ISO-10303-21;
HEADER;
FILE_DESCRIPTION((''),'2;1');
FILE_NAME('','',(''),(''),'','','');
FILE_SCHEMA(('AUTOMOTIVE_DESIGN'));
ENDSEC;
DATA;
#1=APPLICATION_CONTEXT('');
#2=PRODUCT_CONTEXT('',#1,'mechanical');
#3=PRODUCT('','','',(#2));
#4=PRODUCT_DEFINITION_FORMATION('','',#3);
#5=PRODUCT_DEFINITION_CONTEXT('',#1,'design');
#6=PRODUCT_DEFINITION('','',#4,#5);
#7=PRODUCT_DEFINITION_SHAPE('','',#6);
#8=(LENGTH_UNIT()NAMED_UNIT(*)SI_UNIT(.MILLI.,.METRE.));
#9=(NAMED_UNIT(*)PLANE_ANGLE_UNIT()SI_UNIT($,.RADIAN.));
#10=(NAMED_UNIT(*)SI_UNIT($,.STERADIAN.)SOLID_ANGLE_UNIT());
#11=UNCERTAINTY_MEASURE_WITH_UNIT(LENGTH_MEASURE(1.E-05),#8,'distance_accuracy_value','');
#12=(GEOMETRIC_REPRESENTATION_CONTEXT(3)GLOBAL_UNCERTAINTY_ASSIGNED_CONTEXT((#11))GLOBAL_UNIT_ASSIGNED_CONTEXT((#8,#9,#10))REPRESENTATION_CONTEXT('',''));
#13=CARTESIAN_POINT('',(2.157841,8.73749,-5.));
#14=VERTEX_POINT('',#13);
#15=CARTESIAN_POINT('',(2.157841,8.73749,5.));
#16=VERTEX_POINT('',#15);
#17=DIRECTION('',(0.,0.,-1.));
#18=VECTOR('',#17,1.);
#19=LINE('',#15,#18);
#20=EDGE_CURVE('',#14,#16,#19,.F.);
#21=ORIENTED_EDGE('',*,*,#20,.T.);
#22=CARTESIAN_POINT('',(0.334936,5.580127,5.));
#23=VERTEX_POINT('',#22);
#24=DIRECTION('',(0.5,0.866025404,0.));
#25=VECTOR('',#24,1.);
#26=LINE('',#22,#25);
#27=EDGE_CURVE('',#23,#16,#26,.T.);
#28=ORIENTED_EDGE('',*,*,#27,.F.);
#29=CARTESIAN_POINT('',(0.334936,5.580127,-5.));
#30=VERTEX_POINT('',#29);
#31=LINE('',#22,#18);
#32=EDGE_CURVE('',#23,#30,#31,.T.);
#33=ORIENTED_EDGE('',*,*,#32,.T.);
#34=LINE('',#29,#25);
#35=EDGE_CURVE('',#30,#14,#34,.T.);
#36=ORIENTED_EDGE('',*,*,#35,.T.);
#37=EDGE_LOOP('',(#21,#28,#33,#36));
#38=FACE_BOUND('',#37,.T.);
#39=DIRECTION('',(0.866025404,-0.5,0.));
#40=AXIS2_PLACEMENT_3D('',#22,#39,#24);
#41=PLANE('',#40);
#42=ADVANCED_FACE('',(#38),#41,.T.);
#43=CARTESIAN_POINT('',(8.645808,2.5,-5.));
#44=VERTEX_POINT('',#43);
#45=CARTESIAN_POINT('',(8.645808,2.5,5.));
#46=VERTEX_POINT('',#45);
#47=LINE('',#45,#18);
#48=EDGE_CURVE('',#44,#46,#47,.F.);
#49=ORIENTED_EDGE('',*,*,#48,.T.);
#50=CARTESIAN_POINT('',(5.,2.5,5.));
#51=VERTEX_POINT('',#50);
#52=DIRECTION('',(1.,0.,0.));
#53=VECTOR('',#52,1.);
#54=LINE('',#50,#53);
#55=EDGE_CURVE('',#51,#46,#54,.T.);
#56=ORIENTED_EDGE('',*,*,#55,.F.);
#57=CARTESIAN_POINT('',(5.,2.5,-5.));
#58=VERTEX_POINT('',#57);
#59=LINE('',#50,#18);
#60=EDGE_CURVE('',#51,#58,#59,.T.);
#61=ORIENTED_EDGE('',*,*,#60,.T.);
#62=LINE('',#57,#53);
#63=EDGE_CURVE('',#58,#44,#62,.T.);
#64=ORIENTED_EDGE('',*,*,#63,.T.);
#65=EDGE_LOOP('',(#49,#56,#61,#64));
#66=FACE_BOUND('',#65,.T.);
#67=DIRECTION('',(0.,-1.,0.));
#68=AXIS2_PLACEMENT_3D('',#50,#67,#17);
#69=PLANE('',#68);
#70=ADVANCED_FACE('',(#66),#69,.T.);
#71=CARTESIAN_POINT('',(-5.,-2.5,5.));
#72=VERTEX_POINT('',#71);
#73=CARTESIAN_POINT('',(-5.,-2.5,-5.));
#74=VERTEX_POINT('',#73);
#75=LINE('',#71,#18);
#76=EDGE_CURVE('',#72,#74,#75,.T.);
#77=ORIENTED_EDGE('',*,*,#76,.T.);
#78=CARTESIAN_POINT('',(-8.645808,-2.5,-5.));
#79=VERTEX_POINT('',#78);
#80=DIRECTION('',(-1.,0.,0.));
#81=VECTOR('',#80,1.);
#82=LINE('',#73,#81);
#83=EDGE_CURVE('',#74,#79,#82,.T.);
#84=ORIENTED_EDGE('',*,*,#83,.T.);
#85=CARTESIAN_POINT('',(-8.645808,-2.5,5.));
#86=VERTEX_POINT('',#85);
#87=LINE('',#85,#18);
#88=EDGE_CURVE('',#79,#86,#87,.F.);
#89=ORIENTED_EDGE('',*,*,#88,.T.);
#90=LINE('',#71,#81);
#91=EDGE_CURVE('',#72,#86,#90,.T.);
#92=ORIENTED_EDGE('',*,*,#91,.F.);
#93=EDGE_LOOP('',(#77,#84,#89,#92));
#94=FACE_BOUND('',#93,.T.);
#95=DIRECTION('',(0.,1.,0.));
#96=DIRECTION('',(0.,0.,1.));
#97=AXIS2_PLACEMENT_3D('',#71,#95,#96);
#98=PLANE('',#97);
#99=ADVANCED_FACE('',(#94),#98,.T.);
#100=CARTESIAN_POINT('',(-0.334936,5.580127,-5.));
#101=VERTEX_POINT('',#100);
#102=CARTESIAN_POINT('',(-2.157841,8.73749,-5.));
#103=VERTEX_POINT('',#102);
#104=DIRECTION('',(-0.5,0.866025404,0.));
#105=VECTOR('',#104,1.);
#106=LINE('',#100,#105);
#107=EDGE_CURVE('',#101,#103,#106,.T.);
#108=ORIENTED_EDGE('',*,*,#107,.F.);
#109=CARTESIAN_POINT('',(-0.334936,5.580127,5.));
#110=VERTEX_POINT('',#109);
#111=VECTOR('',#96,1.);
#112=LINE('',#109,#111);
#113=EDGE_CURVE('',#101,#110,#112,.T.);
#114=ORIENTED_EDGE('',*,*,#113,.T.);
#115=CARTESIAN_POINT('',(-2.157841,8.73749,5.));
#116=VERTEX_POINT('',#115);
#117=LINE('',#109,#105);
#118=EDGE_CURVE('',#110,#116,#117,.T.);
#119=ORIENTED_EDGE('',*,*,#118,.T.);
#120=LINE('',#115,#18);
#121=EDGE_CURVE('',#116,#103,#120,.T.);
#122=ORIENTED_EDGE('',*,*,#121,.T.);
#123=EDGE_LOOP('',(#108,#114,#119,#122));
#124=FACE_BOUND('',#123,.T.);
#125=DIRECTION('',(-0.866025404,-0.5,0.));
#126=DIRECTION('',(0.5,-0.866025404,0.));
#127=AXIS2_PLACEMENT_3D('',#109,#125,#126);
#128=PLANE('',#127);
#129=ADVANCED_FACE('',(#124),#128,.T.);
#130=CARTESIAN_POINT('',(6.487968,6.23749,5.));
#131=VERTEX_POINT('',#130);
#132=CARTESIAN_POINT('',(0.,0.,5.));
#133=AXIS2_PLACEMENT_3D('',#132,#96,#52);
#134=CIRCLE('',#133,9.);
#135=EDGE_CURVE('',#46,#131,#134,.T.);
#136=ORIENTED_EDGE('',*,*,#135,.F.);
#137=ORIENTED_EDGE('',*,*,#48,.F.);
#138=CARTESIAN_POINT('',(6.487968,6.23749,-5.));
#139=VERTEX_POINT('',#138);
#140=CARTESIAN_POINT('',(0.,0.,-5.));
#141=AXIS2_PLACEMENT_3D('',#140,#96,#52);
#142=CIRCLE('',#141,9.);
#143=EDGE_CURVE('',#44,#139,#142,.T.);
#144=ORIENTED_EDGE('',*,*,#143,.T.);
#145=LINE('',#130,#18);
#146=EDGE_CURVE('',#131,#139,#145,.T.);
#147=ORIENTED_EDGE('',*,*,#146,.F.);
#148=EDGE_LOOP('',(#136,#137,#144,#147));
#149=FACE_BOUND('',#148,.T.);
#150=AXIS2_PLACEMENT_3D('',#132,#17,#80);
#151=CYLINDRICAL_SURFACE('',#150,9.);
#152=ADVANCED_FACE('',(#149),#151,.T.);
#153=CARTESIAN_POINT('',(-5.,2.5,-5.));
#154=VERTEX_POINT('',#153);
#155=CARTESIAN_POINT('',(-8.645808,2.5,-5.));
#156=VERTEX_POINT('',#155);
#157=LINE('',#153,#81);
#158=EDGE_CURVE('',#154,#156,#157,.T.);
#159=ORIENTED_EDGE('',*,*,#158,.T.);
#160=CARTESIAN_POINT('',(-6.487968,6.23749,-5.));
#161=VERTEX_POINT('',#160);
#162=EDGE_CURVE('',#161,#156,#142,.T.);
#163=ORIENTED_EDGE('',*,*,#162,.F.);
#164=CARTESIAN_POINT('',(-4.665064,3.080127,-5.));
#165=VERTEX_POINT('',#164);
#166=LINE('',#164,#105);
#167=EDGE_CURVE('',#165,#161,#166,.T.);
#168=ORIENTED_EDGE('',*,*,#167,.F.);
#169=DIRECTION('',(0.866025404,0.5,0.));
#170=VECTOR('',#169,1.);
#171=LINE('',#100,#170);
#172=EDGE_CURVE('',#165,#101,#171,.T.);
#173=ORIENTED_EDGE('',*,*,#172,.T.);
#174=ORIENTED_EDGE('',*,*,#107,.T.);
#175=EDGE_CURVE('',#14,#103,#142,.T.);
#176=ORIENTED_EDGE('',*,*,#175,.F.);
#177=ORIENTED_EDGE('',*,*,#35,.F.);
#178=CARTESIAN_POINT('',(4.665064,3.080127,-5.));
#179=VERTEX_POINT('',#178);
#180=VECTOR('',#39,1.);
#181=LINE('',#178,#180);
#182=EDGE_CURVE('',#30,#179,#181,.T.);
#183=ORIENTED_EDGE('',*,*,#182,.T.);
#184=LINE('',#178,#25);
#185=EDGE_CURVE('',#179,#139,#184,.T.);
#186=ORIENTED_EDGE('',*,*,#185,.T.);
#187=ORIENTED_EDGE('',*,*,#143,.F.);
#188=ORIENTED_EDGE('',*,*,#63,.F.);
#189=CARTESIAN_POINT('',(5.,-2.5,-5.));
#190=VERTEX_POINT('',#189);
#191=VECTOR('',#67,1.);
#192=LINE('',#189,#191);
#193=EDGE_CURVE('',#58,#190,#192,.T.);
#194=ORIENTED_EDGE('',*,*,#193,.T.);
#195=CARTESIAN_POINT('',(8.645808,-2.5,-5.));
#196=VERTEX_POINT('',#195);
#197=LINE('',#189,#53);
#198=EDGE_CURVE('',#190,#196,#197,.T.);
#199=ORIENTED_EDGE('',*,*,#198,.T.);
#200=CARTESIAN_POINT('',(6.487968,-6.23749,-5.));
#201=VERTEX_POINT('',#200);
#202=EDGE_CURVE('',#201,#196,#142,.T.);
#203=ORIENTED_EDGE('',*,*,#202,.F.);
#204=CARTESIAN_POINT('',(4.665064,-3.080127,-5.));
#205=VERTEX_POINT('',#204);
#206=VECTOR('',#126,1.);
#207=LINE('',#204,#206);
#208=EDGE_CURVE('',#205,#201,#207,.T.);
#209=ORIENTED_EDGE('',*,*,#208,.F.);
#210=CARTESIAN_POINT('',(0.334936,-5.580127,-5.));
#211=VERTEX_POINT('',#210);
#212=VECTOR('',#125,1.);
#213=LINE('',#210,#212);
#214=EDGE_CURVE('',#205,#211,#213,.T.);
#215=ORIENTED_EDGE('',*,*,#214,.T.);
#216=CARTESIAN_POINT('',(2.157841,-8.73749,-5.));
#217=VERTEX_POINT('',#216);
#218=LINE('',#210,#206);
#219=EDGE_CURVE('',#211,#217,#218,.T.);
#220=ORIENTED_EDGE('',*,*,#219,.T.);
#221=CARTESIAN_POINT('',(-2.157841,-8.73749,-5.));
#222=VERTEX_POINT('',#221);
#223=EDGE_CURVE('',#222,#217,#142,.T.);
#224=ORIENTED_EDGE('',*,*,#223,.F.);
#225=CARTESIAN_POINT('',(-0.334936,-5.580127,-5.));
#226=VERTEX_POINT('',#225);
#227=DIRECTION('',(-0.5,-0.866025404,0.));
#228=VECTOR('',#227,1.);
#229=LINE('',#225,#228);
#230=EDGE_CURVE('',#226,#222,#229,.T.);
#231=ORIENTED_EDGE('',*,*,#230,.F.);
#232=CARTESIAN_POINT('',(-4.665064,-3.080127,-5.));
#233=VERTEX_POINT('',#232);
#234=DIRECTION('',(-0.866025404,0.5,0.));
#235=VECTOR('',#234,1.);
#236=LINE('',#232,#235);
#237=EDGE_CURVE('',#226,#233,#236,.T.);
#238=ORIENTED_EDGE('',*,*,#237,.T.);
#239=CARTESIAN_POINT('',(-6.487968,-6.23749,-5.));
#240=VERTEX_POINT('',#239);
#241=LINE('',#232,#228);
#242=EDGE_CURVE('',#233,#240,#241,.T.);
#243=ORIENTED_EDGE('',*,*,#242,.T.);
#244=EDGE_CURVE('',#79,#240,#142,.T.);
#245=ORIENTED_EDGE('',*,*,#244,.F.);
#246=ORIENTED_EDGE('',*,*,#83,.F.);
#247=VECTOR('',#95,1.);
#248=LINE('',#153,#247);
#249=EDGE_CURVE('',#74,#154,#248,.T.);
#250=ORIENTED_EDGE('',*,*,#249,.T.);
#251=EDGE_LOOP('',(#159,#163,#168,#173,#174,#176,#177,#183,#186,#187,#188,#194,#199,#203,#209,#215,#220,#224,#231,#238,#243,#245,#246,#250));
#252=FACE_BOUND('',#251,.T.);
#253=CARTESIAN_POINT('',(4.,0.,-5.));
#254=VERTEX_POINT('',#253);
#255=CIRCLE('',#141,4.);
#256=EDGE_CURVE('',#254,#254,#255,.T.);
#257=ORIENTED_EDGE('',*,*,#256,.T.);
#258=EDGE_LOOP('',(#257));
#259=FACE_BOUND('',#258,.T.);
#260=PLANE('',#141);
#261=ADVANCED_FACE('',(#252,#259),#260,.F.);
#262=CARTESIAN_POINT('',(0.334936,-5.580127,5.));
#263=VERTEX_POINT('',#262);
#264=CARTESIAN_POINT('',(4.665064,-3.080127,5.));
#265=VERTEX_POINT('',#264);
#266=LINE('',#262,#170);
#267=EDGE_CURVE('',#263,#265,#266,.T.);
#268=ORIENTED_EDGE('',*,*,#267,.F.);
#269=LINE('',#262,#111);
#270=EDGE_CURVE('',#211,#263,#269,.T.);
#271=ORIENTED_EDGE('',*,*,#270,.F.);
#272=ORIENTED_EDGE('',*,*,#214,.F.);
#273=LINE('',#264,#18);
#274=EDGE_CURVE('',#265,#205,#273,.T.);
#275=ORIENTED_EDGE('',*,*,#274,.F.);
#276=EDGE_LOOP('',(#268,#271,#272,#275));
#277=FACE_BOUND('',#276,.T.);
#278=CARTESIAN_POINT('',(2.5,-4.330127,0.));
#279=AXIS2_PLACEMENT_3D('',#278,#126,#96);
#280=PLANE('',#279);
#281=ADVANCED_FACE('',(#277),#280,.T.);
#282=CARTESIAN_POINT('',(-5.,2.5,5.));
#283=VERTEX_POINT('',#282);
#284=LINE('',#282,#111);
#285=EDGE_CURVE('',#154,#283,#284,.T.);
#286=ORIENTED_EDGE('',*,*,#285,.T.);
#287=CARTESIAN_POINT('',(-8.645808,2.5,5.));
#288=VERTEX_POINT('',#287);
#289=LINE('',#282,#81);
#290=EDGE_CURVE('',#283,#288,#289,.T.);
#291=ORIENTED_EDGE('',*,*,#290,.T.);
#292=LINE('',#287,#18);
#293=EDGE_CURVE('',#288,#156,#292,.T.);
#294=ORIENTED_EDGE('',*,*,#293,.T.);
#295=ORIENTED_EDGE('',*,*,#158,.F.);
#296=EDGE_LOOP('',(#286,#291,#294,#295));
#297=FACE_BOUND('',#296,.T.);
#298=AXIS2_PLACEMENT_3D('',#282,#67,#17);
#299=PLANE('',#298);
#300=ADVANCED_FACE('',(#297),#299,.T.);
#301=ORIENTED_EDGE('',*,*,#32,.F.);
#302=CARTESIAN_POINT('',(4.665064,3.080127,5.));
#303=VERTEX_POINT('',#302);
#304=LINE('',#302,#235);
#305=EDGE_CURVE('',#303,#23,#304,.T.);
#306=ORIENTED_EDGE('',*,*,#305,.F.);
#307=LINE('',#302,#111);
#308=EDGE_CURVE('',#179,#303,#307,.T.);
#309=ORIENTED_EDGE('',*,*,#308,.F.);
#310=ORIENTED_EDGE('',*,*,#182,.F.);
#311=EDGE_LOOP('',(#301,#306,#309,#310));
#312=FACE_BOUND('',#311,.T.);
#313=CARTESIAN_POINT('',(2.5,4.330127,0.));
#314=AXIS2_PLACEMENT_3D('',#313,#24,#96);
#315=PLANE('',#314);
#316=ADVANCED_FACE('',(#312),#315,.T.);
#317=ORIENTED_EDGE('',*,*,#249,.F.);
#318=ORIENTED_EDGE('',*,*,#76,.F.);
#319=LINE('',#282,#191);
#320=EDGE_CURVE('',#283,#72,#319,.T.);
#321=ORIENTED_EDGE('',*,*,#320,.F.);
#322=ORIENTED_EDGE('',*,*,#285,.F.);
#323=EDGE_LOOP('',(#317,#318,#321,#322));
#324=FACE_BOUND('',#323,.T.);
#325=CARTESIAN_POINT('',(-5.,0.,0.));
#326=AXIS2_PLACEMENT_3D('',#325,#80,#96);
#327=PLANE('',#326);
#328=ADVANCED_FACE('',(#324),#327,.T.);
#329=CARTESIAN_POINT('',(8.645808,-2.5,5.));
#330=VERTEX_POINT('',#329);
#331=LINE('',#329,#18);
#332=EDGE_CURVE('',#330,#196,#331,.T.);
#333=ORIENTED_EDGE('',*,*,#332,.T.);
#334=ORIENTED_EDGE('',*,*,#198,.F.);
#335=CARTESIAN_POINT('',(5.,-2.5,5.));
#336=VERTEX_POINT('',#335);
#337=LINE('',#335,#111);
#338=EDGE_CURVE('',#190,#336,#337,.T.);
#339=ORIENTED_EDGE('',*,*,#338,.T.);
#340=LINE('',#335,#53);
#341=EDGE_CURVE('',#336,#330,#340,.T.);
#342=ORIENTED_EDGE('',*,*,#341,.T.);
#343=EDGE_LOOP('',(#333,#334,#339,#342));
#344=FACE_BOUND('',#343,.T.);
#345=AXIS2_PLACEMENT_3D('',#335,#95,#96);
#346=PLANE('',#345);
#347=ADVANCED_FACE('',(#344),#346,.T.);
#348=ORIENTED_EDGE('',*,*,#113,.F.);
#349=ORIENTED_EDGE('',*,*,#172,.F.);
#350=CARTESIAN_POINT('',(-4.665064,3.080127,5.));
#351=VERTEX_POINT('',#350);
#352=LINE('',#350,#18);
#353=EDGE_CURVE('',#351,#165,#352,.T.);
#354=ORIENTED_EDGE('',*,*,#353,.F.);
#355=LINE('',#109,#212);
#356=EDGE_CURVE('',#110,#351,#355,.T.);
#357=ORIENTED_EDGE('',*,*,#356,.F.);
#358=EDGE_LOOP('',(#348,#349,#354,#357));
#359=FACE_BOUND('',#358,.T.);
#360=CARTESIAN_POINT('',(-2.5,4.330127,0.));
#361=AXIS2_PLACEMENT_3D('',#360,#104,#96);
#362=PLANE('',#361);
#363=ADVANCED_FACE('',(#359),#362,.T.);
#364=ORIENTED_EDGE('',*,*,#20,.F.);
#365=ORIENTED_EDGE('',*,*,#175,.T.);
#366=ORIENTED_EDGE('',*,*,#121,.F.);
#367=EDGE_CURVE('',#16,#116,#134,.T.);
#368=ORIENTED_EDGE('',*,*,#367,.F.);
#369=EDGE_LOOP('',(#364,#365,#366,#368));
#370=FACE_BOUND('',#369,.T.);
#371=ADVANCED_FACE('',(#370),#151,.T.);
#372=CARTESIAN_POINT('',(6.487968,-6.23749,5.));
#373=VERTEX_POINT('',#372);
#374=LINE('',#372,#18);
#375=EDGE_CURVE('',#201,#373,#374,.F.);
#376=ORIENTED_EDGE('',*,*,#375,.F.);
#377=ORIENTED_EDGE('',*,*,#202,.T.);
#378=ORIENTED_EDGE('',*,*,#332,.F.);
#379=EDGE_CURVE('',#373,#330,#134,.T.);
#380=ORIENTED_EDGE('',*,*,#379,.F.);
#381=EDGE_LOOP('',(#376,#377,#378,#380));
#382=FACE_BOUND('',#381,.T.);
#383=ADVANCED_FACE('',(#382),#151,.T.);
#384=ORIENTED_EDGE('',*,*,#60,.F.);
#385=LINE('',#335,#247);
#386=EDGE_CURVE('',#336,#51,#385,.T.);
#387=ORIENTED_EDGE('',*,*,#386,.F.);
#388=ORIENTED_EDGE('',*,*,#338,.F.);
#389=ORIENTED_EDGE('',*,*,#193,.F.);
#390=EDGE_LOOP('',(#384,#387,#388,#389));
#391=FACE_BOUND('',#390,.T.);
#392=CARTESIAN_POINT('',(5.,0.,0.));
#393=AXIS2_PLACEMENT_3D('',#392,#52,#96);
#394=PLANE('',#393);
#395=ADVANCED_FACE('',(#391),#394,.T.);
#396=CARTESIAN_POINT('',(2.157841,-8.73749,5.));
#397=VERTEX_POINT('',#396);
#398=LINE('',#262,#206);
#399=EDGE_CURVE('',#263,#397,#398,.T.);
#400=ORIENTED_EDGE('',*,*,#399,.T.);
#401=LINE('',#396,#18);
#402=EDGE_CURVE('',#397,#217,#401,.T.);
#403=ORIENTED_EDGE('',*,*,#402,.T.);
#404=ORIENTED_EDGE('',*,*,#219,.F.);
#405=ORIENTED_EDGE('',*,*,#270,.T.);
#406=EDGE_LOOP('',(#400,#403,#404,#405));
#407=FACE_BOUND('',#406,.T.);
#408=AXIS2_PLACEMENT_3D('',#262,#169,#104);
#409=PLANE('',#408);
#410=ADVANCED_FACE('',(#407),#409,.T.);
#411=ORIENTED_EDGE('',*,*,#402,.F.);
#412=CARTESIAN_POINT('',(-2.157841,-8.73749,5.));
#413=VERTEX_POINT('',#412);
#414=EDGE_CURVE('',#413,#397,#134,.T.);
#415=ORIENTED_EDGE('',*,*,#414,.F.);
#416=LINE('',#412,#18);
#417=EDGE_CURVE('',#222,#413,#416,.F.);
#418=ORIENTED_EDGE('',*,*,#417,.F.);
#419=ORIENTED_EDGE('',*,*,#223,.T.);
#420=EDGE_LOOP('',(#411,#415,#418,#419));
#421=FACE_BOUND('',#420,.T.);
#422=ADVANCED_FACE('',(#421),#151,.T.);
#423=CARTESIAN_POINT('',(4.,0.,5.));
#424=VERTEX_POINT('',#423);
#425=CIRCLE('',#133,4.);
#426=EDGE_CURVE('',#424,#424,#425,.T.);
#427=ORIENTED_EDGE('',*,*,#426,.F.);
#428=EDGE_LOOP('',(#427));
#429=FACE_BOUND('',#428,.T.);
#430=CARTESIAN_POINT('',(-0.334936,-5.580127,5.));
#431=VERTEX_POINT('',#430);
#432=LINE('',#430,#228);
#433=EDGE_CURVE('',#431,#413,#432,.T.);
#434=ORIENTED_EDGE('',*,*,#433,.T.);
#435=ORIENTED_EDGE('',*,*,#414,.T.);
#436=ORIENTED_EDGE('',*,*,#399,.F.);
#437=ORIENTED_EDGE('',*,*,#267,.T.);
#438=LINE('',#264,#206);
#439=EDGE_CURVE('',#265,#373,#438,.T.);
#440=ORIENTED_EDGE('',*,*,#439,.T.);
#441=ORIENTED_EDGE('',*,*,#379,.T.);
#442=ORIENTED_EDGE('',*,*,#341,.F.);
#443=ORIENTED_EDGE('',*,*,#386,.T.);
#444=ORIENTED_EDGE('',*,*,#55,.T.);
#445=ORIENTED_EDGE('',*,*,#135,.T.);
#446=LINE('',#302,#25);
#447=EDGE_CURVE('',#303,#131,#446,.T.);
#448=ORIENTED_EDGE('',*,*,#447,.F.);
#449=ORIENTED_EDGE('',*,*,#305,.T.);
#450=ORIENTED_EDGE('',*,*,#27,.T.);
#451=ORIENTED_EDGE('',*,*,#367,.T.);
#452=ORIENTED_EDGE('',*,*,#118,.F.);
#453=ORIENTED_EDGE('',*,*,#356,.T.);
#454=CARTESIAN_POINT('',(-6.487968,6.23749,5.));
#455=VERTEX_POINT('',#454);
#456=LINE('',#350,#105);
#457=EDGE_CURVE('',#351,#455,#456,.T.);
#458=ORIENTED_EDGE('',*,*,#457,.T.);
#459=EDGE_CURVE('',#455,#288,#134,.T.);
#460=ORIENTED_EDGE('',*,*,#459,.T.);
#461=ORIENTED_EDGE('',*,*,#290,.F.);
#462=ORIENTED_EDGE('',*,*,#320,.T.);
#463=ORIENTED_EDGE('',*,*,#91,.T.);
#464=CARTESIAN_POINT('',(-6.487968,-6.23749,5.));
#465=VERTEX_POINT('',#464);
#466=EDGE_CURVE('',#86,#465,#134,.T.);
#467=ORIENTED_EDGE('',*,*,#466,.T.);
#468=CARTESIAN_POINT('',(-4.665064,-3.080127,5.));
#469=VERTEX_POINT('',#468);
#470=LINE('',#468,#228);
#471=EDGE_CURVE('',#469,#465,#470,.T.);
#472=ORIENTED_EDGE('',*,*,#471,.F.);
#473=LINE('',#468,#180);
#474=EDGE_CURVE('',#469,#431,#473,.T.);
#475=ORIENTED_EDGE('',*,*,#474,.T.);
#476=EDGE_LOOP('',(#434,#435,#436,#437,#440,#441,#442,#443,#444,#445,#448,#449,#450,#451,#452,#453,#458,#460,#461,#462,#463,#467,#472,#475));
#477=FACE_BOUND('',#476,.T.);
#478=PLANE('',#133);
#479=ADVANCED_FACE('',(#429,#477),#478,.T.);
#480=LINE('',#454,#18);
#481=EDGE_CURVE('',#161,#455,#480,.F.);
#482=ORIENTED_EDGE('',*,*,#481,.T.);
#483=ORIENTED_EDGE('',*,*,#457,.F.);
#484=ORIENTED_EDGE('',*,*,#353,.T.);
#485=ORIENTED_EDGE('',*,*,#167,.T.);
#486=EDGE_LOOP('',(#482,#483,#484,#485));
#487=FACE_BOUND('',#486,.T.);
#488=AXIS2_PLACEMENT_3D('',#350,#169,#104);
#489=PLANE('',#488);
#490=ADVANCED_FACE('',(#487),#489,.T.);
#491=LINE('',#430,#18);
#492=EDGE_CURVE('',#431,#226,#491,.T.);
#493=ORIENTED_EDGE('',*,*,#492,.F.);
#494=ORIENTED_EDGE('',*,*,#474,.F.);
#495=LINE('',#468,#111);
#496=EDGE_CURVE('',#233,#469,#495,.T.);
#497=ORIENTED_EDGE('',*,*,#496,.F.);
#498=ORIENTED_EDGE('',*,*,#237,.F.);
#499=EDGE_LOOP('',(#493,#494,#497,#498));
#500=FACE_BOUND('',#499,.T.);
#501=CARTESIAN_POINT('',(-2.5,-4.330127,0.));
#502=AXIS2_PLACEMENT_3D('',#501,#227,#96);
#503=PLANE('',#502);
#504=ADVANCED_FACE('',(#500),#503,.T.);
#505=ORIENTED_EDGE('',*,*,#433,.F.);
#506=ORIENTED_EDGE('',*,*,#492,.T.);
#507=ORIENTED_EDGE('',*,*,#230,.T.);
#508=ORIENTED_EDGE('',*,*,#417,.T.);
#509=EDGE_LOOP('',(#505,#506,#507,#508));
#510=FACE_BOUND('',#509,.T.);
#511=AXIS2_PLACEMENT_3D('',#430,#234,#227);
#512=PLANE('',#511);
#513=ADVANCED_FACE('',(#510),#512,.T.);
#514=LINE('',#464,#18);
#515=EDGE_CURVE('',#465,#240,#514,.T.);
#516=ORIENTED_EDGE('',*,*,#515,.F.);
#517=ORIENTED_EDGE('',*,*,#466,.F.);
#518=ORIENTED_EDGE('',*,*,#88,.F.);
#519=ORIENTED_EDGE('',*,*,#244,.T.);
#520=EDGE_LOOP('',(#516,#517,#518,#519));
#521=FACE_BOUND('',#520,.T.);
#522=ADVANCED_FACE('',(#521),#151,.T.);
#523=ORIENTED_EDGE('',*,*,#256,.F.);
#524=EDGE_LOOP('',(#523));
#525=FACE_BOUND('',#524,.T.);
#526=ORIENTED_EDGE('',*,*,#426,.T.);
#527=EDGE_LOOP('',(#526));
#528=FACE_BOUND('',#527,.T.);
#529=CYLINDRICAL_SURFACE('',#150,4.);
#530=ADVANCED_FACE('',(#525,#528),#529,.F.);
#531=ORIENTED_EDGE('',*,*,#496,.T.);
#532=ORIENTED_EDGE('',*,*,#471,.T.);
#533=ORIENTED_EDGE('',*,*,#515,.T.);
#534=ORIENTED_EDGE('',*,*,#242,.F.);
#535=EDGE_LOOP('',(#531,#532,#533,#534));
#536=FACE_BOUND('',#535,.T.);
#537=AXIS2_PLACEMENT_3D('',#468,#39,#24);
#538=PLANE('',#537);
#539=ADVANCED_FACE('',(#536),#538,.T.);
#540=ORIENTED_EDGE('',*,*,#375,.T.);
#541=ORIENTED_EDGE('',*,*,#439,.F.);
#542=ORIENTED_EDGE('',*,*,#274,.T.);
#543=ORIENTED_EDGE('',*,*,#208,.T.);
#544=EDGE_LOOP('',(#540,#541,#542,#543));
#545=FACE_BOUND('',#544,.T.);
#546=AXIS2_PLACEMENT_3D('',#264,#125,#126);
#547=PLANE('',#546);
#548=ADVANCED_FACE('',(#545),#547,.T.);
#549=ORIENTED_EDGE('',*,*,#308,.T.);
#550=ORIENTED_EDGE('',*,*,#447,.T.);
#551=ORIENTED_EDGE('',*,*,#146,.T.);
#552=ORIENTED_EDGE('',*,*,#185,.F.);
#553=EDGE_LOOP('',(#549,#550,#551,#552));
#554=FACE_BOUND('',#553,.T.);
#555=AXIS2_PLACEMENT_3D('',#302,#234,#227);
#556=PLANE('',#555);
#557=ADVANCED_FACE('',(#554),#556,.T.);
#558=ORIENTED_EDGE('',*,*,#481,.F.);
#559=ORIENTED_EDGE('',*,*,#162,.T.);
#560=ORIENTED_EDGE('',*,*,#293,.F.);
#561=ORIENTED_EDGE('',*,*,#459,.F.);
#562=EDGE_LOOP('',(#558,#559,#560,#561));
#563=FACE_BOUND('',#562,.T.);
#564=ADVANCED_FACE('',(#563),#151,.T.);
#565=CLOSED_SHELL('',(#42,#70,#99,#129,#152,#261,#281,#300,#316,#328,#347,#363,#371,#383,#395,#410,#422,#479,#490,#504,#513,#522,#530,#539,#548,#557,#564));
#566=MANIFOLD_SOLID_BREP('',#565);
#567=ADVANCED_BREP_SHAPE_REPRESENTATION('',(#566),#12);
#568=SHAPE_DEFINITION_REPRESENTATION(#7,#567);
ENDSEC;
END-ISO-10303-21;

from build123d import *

# Parameters (mm, degrees)
SKETCH1_R           = 9
SKETCH1_R_2         = 4
BOSS_EXTRUDE1_DEPTH = 5
SKETCH2_W           = 5
SKETCH2_H           = 10
CUT_EXTRUDE3_DEPTH  = 4
CIRPATTERN1_COUNT   = 6


with BuildPart() as part:
    # Sketch1 → Boss-Extrude1 (new, symmetric)
    with BuildSketch(Plane.XY):
        Circle(SKETCH1_R)
        Circle(SKETCH1_R_2, mode=Mode.SUBTRACT)
    extrude(amount=BOSS_EXTRUDE1_DEPTH, both=True)

    # Sketch2 → Cut-Extrude3 (cut)
    with BuildSketch(Plane(origin=(-9, -17.193061184, 0), x_dir=(0, -1, 0), z_dir=(1, 0, 0))):
        with Locations((-17.193061184, 0)):
            Rectangle(SKETCH2_W, SKETCH2_H)
    cut_extrude3 = extrude(amount=CUT_EXTRUDE3_DEPTH, mode=Mode.SUBTRACT)

    # CirPattern1: Cut-Extrude3 ×6 about axis
    cirpattern1_axis = Axis((0, 0, 5), (0, 0, 1))
    for i in range(1, CIRPATTERN1_COUNT):
        add(cut_extrude3.rotate(cirpattern1_axis, i * 360 / CIRPATTERN1_COUNT), mode=Mode.SUBTRACT)


solid = part.part
